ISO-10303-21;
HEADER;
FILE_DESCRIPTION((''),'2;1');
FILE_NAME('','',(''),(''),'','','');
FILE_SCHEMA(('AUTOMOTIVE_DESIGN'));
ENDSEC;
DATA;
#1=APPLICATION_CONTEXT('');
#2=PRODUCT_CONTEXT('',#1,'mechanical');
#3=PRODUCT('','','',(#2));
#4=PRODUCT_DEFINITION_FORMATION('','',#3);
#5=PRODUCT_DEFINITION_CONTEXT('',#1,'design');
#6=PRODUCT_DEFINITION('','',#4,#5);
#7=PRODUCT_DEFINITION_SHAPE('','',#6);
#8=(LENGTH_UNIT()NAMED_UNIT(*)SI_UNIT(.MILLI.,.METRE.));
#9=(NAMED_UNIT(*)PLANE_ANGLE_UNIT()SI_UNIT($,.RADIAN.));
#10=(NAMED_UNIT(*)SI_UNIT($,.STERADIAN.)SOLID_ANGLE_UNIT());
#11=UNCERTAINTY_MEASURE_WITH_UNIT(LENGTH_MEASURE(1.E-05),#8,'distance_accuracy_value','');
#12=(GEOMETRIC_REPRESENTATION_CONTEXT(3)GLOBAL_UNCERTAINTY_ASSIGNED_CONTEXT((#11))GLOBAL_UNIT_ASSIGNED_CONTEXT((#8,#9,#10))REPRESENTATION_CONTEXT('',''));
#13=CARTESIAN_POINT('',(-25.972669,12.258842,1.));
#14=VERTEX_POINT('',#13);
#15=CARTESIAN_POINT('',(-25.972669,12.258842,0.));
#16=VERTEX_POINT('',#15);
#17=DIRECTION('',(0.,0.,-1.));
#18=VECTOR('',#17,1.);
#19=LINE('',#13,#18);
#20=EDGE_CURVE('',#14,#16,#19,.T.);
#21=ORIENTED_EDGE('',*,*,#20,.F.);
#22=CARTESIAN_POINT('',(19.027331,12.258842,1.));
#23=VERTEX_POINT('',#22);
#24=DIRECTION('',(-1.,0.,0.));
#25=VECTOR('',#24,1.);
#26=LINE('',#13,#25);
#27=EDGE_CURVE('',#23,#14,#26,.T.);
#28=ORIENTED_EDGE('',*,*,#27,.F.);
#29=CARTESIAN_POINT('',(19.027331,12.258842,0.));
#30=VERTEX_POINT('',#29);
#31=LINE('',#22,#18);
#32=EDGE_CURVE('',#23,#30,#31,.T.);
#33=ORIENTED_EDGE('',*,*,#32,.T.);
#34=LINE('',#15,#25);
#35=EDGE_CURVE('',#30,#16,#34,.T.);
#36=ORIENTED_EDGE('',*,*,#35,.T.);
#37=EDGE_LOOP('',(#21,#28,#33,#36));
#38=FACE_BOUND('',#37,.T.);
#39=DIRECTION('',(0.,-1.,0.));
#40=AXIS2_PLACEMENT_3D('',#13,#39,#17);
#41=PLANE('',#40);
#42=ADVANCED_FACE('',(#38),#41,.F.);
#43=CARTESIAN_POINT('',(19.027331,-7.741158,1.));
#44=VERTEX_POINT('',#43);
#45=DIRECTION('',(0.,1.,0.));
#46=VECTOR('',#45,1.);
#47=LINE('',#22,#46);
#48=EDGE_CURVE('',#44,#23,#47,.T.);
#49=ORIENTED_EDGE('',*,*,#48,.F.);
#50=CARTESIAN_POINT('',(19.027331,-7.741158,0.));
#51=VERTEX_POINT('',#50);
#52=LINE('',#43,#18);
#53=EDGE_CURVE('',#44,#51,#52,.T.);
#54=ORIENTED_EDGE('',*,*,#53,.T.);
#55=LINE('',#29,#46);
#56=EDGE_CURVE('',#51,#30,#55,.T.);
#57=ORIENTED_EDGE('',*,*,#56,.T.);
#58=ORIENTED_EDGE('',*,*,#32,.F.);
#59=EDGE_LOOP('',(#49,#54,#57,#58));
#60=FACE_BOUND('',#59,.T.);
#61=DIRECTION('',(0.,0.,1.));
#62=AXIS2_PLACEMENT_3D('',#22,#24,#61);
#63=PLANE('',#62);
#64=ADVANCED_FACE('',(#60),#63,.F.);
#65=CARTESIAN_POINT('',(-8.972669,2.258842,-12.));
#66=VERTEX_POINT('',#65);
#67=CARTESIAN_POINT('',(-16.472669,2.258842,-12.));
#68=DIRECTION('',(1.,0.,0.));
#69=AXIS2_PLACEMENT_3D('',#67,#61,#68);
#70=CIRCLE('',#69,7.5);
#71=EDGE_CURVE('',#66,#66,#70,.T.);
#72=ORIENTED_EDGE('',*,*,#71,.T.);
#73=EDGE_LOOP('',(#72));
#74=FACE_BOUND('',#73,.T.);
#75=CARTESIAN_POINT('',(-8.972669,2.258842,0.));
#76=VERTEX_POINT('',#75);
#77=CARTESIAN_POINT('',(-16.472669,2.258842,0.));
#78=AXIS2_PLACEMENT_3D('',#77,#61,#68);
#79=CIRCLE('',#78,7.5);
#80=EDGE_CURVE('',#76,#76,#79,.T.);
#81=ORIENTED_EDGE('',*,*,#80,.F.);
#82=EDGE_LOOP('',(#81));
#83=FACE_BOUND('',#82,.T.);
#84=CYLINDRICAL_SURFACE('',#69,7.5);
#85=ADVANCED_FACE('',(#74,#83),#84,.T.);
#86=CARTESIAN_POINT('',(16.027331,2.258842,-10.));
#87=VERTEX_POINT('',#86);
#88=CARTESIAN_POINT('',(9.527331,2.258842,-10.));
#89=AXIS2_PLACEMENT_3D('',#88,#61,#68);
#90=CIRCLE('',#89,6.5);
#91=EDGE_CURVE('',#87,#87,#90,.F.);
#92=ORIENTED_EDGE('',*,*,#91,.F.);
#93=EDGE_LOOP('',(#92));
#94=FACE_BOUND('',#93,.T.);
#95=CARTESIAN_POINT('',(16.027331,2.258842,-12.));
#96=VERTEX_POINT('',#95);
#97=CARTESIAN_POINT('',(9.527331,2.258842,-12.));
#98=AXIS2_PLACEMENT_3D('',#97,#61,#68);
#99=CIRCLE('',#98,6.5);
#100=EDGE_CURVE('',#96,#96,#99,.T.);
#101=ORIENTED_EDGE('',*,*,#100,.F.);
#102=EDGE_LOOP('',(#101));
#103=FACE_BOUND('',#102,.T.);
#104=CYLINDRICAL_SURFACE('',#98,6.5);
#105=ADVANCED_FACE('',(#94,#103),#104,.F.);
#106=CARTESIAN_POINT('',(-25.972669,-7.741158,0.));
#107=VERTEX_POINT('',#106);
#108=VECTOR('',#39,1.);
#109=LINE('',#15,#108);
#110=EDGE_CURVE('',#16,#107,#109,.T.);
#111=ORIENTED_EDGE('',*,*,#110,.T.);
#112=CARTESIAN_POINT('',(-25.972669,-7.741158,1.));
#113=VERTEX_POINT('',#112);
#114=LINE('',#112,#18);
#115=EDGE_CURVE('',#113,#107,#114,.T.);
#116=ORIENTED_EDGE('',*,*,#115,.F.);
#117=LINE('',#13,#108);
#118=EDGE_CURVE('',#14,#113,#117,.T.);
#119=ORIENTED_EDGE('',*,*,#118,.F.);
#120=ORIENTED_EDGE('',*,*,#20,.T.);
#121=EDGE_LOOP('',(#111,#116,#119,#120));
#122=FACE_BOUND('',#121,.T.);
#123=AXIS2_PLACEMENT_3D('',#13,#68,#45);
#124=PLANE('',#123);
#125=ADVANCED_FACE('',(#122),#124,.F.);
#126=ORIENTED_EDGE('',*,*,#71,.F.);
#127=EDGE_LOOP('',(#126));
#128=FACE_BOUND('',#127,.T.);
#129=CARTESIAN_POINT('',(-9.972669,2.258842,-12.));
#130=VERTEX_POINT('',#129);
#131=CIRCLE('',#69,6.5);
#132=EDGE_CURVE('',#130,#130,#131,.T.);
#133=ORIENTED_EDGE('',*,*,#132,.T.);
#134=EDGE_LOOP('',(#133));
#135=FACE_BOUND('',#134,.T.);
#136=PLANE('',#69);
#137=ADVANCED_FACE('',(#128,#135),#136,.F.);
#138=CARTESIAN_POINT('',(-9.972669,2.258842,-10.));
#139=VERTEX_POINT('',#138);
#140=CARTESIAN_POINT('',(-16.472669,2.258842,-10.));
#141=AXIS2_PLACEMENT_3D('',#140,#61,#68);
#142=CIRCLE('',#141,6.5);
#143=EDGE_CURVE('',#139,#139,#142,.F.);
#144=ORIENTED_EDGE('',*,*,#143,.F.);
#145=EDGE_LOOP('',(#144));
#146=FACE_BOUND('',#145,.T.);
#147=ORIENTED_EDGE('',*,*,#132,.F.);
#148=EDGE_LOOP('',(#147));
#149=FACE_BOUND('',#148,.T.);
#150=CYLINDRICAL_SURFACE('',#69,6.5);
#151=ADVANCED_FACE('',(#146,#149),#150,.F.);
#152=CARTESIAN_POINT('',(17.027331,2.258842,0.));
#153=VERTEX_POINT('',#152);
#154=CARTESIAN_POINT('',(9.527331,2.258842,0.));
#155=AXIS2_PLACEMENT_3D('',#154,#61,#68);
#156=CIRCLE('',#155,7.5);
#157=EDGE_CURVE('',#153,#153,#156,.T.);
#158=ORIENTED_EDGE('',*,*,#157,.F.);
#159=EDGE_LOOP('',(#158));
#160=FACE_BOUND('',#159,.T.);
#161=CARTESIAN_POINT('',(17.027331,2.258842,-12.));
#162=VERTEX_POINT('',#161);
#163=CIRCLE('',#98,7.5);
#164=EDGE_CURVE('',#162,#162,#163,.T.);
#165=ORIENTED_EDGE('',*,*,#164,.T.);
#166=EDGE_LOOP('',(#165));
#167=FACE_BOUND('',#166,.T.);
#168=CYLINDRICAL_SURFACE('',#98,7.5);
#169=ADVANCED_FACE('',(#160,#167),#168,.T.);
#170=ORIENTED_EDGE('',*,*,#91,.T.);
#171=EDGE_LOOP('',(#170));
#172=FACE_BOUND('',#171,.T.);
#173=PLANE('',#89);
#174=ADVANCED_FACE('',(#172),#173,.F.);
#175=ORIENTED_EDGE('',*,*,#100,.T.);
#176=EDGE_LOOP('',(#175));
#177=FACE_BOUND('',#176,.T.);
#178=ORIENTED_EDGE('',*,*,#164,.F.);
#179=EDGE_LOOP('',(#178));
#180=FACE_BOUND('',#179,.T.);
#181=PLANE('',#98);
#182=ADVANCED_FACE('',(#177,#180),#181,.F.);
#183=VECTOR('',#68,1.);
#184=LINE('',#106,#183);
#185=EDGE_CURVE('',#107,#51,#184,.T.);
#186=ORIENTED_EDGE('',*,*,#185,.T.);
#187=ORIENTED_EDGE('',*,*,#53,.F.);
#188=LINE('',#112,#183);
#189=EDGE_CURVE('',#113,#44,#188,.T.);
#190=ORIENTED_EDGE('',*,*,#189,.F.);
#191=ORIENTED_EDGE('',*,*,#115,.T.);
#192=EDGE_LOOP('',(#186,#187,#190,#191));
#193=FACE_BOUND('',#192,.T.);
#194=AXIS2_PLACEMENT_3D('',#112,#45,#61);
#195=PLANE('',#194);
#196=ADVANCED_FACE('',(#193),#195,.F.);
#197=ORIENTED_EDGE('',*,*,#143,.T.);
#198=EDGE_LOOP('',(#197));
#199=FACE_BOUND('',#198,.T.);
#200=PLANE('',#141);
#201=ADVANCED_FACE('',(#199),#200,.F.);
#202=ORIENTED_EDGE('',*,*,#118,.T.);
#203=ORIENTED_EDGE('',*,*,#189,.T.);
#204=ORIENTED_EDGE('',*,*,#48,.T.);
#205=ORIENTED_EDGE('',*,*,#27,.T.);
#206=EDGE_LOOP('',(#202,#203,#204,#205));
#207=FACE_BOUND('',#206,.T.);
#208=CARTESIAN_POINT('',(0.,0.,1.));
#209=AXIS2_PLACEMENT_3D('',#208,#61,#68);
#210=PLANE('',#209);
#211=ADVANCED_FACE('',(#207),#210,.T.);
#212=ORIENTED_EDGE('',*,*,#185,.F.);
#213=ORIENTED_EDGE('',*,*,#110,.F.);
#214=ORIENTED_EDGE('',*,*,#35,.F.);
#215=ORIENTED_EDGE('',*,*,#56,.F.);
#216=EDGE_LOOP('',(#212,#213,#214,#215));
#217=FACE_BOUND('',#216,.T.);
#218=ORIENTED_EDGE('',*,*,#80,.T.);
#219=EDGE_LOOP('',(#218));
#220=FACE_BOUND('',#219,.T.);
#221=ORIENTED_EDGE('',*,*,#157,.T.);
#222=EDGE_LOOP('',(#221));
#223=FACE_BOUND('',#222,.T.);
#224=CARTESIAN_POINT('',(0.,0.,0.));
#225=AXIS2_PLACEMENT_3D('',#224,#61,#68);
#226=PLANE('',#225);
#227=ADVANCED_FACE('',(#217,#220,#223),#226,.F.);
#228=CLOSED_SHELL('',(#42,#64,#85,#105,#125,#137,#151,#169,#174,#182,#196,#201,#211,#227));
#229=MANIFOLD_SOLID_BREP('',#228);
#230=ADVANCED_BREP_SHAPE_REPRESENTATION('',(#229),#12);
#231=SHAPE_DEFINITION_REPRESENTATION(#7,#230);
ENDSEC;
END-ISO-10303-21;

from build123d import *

# Parameters (mm, degrees)
SKETCH1_W           = 45
SKETCH1_H           = 20
BOSS_EXTRUDE1_DEPTH = 1
SKETCH2_R           = 7.5
SKETCH2_R_2         = 6.5
BOSS_EXTRUDE2_DEPTH = 12
SKETCH3_R           = 6.5
BOSS_EXTRUDE3_DEPTH = 10


with BuildPart() as part:
    # Sketch1 → Boss-Extrude1 (new body)
    with BuildSketch(Plane.XY):
        with Locations((-3.47266881, 2.258842444)):
            Rectangle(SKETCH1_W, SKETCH1_H)
    extrude(amount=BOSS_EXTRUDE1_DEPTH)

    # Sketch2 → Boss-Extrude2 (add)
    with BuildSketch(Plane.XY):
        with Locations((-16.47266881, 2.258842444)):
            Circle(SKETCH2_R)
        with Locations((-16.47266881, 2.258842444)):
            Circle(SKETCH2_R_2, mode=Mode.SUBTRACT)
        with Locations((9.52733119, 2.258842444)):
            Circle(SKETCH2_R)
        with Locations((9.52733119, 2.258842444)):
            Circle(SKETCH2_R_2, mode=Mode.SUBTRACT)
    extrude(amount=-BOSS_EXTRUDE2_DEPTH)

    # Sketch3 → Boss-Extrude3 (add)
    with BuildSketch(Plane.XY):
        with Locations((9.52733119, 2.258842444)):
            Circle(SKETCH3_R)
        with Locations((-16.47266881, 2.258842444)):
            Circle(SKETCH3_R)
    extrude(amount=-BOSS_EXTRUDE3_DEPTH)


solid = part.part
